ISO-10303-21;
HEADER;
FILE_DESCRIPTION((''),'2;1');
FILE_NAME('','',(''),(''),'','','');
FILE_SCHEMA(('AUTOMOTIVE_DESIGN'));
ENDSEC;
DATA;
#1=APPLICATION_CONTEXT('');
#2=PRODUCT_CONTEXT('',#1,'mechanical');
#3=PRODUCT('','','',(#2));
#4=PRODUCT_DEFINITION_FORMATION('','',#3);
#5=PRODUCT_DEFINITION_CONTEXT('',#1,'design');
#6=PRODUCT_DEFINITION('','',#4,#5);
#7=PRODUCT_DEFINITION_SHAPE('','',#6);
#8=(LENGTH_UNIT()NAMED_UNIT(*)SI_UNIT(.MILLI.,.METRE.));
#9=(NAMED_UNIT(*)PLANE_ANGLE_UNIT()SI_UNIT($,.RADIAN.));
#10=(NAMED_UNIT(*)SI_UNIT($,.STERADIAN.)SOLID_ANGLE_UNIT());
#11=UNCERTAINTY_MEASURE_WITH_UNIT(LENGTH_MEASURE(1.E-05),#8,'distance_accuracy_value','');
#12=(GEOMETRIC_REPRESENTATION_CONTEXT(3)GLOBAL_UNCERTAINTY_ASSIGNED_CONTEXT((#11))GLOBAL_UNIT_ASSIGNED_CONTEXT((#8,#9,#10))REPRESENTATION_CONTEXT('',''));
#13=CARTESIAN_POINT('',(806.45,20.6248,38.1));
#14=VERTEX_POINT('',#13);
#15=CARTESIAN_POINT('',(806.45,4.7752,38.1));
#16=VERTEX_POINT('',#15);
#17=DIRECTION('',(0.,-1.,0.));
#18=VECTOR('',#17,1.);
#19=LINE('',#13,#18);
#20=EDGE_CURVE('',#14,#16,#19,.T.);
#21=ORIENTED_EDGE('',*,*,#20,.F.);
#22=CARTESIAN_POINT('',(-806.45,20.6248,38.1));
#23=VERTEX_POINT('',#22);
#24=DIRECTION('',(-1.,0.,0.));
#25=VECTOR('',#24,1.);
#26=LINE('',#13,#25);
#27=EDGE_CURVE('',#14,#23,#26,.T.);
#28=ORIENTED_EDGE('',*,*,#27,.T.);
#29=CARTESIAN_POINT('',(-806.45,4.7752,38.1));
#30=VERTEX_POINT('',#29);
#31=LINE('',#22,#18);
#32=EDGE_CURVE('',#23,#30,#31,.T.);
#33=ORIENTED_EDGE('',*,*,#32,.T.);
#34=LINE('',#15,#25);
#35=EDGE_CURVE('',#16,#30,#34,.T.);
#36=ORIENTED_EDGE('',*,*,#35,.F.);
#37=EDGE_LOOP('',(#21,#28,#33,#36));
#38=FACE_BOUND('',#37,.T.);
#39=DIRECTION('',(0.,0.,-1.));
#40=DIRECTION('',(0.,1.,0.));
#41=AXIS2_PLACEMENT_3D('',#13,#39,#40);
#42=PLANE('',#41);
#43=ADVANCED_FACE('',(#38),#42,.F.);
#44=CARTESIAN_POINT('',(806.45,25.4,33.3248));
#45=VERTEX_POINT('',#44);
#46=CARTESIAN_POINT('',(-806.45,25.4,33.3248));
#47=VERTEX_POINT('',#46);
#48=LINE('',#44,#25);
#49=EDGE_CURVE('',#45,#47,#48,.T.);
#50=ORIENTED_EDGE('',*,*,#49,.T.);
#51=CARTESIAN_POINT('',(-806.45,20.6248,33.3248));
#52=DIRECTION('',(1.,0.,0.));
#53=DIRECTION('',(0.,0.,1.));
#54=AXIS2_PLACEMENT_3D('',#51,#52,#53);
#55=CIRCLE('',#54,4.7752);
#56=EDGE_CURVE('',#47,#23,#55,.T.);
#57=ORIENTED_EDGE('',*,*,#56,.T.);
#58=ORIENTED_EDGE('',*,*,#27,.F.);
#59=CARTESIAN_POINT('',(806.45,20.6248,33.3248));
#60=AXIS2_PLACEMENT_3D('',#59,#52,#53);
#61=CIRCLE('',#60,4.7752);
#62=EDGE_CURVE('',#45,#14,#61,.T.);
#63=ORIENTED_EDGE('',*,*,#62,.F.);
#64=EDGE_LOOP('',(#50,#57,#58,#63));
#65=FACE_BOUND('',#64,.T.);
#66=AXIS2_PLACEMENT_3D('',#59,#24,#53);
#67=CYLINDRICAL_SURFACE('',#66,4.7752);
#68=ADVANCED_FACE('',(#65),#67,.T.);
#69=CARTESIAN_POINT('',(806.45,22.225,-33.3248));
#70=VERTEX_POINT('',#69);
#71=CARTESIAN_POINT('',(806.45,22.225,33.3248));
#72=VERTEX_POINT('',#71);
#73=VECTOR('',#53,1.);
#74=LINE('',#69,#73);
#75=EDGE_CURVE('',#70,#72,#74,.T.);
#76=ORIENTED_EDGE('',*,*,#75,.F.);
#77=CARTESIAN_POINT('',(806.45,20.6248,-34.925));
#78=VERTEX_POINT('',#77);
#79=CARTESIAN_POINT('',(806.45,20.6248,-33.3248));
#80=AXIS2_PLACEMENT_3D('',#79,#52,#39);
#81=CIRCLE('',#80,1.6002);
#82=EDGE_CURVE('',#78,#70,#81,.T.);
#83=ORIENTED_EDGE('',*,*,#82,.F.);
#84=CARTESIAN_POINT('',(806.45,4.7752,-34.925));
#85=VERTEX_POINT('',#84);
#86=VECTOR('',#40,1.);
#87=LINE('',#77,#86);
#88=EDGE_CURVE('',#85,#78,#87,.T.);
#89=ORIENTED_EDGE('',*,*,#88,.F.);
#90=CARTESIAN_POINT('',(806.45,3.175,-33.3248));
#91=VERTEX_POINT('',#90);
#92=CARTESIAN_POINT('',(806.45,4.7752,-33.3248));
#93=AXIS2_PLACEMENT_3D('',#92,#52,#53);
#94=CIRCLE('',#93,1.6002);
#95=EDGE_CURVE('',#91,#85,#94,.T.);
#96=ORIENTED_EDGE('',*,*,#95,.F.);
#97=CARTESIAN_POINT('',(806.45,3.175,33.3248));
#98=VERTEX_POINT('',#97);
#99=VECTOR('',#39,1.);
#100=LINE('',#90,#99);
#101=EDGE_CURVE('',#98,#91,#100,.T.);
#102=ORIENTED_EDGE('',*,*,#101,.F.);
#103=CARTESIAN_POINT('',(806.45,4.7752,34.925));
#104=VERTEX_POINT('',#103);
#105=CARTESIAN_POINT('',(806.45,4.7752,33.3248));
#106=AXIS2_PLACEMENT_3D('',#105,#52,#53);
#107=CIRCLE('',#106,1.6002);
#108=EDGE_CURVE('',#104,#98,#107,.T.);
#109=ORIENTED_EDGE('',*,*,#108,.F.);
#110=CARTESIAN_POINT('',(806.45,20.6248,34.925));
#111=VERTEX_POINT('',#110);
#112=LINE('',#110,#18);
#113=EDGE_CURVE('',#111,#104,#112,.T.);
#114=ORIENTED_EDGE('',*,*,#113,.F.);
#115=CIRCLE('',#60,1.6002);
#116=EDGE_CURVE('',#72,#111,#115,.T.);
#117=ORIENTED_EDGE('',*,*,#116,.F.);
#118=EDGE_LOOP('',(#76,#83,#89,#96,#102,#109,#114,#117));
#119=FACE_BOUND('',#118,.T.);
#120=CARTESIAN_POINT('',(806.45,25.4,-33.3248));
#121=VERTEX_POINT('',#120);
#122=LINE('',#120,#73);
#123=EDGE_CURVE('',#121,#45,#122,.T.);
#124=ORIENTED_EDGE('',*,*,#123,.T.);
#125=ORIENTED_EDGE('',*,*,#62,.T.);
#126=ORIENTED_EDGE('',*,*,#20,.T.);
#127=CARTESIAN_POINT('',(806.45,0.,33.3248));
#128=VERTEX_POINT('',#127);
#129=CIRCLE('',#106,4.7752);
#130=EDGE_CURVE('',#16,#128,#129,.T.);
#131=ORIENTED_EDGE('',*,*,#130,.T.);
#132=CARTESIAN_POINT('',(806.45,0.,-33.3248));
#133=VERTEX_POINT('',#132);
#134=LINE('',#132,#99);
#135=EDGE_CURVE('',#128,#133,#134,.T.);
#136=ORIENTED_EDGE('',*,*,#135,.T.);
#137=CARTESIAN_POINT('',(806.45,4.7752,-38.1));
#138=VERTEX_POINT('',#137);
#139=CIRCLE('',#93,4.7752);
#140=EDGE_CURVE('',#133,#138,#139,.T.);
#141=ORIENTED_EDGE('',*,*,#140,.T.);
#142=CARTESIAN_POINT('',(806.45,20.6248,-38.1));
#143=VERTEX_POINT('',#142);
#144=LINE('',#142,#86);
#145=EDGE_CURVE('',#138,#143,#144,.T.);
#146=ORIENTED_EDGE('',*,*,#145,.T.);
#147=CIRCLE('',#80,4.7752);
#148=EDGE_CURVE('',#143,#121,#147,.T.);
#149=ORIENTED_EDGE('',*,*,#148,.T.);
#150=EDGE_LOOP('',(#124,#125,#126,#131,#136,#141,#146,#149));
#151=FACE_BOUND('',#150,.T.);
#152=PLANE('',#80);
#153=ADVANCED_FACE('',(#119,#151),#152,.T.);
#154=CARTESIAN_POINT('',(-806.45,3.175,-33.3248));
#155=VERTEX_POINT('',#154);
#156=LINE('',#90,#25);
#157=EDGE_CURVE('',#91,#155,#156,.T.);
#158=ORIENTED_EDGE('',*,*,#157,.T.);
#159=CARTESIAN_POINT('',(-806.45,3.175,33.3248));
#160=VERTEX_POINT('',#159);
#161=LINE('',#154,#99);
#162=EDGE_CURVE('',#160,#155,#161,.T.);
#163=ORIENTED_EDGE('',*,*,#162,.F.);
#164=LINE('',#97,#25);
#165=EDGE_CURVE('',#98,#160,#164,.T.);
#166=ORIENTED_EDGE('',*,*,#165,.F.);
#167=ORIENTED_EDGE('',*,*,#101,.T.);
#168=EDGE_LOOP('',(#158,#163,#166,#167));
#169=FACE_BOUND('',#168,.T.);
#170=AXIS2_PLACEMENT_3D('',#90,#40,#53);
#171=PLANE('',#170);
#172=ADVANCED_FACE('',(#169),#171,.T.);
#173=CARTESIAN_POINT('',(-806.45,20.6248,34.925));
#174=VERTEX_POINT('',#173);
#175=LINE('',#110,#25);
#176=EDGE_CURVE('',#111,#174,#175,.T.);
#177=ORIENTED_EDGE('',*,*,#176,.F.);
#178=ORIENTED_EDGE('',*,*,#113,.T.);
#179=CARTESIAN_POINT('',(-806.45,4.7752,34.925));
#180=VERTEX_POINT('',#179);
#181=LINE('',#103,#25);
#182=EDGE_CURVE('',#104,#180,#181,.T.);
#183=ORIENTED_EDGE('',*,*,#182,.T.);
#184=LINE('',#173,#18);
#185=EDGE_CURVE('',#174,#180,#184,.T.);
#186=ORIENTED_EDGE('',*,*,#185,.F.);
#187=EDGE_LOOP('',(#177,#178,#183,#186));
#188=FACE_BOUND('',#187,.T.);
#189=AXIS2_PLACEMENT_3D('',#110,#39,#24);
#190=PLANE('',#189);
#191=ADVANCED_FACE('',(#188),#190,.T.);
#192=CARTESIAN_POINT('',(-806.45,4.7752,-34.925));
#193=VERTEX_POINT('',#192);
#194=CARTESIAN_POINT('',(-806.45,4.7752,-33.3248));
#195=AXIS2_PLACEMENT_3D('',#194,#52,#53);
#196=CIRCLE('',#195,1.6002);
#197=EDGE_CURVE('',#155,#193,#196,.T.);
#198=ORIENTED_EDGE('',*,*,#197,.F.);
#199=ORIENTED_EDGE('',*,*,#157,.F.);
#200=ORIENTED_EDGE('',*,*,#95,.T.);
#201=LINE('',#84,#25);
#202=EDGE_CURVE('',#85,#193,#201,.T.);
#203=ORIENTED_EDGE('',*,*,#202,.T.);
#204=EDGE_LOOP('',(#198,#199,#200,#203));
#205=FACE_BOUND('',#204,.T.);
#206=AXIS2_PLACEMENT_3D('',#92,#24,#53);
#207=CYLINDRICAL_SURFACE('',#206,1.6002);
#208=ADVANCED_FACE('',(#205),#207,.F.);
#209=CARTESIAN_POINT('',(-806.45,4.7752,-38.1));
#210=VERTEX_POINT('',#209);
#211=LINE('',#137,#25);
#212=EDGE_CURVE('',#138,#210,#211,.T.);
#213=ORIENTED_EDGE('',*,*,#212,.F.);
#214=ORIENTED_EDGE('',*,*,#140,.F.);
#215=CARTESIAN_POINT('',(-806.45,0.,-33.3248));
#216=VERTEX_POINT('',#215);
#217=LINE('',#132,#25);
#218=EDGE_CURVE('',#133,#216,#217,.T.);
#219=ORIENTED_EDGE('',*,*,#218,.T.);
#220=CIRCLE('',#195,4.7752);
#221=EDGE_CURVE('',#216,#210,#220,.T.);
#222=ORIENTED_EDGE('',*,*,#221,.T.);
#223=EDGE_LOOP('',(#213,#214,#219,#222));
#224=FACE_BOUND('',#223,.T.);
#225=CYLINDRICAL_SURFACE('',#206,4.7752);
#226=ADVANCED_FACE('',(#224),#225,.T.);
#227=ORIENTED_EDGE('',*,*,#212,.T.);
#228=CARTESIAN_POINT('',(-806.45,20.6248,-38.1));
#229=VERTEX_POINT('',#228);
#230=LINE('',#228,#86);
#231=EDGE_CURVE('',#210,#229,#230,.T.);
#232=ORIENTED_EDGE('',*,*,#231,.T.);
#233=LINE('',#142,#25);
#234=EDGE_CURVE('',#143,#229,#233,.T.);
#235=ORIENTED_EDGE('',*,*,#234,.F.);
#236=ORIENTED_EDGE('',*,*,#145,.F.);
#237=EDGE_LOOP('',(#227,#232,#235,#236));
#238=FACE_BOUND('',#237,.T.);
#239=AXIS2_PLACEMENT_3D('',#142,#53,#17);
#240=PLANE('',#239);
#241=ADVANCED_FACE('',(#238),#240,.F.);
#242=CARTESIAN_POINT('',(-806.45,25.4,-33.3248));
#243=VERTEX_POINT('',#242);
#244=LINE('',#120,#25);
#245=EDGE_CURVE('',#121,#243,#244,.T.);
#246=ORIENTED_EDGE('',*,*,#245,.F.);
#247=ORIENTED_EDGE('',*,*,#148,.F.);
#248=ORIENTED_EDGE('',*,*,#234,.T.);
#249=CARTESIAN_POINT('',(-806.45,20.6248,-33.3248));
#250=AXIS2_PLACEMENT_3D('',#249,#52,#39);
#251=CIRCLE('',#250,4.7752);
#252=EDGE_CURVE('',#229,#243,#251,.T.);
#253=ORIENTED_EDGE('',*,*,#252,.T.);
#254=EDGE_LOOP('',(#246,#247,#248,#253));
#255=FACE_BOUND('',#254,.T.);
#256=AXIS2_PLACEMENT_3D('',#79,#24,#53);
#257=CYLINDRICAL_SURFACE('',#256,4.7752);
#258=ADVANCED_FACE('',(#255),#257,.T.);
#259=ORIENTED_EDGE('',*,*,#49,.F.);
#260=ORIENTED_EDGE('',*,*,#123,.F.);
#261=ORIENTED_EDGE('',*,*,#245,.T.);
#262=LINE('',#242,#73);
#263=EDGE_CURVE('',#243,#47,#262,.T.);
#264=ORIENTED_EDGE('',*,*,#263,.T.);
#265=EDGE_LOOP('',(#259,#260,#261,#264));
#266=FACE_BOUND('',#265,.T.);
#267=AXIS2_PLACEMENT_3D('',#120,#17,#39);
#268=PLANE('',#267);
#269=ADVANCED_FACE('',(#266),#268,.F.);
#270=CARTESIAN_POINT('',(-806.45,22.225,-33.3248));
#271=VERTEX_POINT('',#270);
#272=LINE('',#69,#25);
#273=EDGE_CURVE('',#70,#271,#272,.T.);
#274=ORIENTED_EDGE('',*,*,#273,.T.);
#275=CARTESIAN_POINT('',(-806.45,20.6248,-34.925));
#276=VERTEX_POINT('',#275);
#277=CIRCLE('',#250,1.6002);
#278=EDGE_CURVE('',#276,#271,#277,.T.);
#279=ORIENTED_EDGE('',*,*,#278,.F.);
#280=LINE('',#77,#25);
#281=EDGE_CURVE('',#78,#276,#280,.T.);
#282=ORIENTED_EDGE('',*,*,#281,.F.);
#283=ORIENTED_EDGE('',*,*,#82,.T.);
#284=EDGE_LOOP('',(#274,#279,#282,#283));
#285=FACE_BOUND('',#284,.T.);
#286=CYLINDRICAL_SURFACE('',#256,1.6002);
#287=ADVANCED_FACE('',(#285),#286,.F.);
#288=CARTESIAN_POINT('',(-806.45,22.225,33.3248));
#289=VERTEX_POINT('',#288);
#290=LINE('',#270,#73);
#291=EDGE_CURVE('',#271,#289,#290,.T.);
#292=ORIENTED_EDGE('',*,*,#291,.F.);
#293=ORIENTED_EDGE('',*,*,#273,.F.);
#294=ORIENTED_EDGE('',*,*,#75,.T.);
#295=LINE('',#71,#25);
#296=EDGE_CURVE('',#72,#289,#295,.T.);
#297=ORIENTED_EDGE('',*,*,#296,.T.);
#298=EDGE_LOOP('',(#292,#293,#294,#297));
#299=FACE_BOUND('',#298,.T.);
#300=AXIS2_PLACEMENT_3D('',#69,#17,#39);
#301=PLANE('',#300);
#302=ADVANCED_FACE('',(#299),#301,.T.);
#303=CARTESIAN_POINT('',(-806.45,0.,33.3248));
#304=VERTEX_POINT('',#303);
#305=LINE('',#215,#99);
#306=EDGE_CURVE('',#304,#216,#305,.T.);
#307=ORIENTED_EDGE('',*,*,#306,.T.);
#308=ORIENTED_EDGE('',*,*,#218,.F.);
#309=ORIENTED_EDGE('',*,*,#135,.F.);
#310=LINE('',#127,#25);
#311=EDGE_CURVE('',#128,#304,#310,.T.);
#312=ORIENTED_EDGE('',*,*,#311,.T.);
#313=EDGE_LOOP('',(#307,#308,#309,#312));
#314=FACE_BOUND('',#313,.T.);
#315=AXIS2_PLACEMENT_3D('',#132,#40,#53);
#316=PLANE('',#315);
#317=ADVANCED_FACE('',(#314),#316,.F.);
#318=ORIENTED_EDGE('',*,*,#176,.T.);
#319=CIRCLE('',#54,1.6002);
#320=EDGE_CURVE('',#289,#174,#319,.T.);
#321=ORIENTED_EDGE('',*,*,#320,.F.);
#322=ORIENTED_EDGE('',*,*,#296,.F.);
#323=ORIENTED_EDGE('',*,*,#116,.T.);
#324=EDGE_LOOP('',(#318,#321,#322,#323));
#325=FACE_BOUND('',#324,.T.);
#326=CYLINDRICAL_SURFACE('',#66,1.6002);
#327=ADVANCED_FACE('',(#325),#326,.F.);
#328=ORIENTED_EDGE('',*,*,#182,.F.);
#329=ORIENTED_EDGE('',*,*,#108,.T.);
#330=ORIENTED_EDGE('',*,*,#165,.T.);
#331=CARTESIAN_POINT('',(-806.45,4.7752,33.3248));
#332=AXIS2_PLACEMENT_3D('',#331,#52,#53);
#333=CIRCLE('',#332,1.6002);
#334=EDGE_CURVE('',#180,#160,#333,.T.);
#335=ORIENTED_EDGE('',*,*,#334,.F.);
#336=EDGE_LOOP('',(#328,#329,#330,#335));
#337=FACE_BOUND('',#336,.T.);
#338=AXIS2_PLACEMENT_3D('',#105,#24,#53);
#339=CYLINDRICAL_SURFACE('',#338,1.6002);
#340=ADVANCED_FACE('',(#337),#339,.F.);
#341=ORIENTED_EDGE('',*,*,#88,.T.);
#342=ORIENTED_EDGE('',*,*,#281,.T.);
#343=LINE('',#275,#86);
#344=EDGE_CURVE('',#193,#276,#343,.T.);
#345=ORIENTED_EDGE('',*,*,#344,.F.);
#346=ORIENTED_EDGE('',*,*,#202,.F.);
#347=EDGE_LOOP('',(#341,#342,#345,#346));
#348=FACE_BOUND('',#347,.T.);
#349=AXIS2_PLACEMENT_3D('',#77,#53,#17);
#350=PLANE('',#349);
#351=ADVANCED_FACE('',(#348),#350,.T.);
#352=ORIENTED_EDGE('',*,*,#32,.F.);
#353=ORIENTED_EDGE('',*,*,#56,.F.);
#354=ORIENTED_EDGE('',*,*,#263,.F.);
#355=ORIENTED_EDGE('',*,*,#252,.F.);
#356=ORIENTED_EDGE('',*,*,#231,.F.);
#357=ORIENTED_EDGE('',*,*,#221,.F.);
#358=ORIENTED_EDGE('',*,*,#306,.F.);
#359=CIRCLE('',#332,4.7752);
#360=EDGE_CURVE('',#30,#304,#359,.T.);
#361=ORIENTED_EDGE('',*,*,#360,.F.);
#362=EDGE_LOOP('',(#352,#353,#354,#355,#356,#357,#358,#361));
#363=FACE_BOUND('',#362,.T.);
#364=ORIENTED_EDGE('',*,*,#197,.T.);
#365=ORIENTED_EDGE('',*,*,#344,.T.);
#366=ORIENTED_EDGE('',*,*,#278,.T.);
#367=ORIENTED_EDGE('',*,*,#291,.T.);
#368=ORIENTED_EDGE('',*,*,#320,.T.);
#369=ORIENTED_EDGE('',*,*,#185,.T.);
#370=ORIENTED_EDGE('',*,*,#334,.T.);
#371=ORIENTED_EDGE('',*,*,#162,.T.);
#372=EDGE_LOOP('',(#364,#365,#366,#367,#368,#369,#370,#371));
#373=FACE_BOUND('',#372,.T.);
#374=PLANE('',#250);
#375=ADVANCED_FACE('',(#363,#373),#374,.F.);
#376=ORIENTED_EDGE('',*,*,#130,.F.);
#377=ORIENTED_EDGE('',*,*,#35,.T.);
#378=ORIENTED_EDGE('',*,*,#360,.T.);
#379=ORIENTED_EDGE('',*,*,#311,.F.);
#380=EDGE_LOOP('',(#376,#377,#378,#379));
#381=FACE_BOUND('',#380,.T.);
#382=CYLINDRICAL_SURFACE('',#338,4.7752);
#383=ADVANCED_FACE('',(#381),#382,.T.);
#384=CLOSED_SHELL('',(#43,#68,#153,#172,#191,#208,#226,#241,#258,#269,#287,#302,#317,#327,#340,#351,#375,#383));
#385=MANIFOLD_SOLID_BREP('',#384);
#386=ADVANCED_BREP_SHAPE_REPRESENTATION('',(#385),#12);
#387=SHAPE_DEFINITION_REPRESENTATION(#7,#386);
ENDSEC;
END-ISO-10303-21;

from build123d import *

# Parameters (mm, degrees)
BOSS_EXTRUDE1_DEPTH = 806.45


with BuildPart() as part:
    # Sketch1 → Boss-Extrude1 (new body, symmetric)
    with BuildSketch(Plane(origin=(0, 0, 0), x_dir=(0, 0, -1), z_dir=(1, 0, 0))):
        with BuildLine():
            Line((33.3248, 25.4), (-33.3248, 25.4))
            ThreePointArc((-33.3248, 25.4), (-36.701376302, 24.001376302), (-38.1, 20.6248))
            Line((-38.1, 20.6248), (-38.1, 4.7752))
            ThreePointArc((-38.1, 4.7752), (-36.701376302, 1.398623698), (-33.3248, 0))
            Line((-33.3248, 0), (33.3248, 0))
            ThreePointArc((33.3248, 0), (36.701376302, 1.398623698), (38.1, 4.7752))
            Line((38.1, 4.7752), (38.1, 20.6248))
            ThreePointArc((38.1, 20.6248), (36.701376302, 24.001376302), (33.3248, 25.4))
        make_face()
        with BuildLine():
            Line((33.3248, 22.225), (-33.3248, 22.225))
            ThreePointArc((-33.3248, 22.225), (-34.456312271, 21.756312271), (-34.925, 20.6248))
            Line((-34.925, 20.6248), (-34.925, 4.7752))
            ThreePointArc((-34.925, 4.7752), (-34.456312271, 3.643687729), (-33.3248, 3.175))
            Line((-33.3248, 3.175), (33.3248, 3.175))
            ThreePointArc((33.3248, 3.175), (34.456312271, 3.643687729), (34.925, 4.7752))
            Line((34.925, 4.7752), (34.925, 20.6248))
            ThreePointArc((34.925, 20.6248), (34.456312271, 21.756312271), (33.3248, 22.225))
        make_face(mode=Mode.SUBTRACT)
    extrude(amount=BOSS_EXTRUDE1_DEPTH, both=True)


solid = part.part
